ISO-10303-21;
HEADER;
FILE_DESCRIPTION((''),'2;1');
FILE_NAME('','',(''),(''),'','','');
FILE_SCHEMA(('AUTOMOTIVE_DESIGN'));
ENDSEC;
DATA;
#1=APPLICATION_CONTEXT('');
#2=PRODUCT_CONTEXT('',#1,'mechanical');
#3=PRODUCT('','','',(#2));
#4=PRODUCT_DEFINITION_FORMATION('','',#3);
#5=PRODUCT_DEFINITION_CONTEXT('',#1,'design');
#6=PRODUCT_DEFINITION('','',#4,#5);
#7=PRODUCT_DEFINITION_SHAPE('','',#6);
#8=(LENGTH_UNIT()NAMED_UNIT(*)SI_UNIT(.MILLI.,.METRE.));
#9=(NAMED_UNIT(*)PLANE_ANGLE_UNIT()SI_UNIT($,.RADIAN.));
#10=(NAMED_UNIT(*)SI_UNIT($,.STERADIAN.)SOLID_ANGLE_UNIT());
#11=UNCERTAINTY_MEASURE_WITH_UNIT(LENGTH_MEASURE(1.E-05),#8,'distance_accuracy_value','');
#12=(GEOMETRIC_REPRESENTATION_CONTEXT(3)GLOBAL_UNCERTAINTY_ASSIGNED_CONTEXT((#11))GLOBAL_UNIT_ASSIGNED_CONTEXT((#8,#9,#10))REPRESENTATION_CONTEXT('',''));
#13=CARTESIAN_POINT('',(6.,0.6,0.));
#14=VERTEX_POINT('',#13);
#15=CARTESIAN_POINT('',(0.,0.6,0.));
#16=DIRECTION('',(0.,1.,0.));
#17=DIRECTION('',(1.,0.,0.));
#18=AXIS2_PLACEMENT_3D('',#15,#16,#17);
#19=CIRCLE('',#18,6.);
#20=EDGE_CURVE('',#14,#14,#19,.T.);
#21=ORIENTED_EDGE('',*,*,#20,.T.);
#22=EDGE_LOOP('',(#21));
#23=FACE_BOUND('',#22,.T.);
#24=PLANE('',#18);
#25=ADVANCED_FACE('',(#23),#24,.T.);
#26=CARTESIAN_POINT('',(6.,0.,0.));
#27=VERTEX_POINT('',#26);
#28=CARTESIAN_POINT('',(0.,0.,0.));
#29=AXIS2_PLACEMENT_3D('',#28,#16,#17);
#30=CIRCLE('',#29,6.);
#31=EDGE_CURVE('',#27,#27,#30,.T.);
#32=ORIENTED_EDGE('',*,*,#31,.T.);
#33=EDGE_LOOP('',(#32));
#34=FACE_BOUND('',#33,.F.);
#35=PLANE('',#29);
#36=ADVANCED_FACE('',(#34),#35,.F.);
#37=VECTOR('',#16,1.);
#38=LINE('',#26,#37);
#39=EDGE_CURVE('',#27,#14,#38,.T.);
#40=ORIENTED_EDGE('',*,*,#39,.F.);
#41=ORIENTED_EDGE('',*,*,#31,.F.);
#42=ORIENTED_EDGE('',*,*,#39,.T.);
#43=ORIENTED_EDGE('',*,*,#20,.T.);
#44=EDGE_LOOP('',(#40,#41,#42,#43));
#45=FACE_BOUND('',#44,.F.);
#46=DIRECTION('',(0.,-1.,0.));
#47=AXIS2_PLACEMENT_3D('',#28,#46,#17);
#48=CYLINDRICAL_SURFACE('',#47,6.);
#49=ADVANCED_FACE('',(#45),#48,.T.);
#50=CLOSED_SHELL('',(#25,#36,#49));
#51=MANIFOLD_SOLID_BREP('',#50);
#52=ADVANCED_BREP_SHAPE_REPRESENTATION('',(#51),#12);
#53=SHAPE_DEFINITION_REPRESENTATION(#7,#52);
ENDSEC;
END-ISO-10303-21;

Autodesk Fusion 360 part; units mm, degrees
sketch "Skizze1" plane through (0, 0, 0) normal (0, 1, 0) x (1, 0, 0)
  circle A0 centre (0, 0) radius 6
  dimension "d1" = 12
extrude "Extrusion1" add sketch "Skizze1" along normal blind 0.6
